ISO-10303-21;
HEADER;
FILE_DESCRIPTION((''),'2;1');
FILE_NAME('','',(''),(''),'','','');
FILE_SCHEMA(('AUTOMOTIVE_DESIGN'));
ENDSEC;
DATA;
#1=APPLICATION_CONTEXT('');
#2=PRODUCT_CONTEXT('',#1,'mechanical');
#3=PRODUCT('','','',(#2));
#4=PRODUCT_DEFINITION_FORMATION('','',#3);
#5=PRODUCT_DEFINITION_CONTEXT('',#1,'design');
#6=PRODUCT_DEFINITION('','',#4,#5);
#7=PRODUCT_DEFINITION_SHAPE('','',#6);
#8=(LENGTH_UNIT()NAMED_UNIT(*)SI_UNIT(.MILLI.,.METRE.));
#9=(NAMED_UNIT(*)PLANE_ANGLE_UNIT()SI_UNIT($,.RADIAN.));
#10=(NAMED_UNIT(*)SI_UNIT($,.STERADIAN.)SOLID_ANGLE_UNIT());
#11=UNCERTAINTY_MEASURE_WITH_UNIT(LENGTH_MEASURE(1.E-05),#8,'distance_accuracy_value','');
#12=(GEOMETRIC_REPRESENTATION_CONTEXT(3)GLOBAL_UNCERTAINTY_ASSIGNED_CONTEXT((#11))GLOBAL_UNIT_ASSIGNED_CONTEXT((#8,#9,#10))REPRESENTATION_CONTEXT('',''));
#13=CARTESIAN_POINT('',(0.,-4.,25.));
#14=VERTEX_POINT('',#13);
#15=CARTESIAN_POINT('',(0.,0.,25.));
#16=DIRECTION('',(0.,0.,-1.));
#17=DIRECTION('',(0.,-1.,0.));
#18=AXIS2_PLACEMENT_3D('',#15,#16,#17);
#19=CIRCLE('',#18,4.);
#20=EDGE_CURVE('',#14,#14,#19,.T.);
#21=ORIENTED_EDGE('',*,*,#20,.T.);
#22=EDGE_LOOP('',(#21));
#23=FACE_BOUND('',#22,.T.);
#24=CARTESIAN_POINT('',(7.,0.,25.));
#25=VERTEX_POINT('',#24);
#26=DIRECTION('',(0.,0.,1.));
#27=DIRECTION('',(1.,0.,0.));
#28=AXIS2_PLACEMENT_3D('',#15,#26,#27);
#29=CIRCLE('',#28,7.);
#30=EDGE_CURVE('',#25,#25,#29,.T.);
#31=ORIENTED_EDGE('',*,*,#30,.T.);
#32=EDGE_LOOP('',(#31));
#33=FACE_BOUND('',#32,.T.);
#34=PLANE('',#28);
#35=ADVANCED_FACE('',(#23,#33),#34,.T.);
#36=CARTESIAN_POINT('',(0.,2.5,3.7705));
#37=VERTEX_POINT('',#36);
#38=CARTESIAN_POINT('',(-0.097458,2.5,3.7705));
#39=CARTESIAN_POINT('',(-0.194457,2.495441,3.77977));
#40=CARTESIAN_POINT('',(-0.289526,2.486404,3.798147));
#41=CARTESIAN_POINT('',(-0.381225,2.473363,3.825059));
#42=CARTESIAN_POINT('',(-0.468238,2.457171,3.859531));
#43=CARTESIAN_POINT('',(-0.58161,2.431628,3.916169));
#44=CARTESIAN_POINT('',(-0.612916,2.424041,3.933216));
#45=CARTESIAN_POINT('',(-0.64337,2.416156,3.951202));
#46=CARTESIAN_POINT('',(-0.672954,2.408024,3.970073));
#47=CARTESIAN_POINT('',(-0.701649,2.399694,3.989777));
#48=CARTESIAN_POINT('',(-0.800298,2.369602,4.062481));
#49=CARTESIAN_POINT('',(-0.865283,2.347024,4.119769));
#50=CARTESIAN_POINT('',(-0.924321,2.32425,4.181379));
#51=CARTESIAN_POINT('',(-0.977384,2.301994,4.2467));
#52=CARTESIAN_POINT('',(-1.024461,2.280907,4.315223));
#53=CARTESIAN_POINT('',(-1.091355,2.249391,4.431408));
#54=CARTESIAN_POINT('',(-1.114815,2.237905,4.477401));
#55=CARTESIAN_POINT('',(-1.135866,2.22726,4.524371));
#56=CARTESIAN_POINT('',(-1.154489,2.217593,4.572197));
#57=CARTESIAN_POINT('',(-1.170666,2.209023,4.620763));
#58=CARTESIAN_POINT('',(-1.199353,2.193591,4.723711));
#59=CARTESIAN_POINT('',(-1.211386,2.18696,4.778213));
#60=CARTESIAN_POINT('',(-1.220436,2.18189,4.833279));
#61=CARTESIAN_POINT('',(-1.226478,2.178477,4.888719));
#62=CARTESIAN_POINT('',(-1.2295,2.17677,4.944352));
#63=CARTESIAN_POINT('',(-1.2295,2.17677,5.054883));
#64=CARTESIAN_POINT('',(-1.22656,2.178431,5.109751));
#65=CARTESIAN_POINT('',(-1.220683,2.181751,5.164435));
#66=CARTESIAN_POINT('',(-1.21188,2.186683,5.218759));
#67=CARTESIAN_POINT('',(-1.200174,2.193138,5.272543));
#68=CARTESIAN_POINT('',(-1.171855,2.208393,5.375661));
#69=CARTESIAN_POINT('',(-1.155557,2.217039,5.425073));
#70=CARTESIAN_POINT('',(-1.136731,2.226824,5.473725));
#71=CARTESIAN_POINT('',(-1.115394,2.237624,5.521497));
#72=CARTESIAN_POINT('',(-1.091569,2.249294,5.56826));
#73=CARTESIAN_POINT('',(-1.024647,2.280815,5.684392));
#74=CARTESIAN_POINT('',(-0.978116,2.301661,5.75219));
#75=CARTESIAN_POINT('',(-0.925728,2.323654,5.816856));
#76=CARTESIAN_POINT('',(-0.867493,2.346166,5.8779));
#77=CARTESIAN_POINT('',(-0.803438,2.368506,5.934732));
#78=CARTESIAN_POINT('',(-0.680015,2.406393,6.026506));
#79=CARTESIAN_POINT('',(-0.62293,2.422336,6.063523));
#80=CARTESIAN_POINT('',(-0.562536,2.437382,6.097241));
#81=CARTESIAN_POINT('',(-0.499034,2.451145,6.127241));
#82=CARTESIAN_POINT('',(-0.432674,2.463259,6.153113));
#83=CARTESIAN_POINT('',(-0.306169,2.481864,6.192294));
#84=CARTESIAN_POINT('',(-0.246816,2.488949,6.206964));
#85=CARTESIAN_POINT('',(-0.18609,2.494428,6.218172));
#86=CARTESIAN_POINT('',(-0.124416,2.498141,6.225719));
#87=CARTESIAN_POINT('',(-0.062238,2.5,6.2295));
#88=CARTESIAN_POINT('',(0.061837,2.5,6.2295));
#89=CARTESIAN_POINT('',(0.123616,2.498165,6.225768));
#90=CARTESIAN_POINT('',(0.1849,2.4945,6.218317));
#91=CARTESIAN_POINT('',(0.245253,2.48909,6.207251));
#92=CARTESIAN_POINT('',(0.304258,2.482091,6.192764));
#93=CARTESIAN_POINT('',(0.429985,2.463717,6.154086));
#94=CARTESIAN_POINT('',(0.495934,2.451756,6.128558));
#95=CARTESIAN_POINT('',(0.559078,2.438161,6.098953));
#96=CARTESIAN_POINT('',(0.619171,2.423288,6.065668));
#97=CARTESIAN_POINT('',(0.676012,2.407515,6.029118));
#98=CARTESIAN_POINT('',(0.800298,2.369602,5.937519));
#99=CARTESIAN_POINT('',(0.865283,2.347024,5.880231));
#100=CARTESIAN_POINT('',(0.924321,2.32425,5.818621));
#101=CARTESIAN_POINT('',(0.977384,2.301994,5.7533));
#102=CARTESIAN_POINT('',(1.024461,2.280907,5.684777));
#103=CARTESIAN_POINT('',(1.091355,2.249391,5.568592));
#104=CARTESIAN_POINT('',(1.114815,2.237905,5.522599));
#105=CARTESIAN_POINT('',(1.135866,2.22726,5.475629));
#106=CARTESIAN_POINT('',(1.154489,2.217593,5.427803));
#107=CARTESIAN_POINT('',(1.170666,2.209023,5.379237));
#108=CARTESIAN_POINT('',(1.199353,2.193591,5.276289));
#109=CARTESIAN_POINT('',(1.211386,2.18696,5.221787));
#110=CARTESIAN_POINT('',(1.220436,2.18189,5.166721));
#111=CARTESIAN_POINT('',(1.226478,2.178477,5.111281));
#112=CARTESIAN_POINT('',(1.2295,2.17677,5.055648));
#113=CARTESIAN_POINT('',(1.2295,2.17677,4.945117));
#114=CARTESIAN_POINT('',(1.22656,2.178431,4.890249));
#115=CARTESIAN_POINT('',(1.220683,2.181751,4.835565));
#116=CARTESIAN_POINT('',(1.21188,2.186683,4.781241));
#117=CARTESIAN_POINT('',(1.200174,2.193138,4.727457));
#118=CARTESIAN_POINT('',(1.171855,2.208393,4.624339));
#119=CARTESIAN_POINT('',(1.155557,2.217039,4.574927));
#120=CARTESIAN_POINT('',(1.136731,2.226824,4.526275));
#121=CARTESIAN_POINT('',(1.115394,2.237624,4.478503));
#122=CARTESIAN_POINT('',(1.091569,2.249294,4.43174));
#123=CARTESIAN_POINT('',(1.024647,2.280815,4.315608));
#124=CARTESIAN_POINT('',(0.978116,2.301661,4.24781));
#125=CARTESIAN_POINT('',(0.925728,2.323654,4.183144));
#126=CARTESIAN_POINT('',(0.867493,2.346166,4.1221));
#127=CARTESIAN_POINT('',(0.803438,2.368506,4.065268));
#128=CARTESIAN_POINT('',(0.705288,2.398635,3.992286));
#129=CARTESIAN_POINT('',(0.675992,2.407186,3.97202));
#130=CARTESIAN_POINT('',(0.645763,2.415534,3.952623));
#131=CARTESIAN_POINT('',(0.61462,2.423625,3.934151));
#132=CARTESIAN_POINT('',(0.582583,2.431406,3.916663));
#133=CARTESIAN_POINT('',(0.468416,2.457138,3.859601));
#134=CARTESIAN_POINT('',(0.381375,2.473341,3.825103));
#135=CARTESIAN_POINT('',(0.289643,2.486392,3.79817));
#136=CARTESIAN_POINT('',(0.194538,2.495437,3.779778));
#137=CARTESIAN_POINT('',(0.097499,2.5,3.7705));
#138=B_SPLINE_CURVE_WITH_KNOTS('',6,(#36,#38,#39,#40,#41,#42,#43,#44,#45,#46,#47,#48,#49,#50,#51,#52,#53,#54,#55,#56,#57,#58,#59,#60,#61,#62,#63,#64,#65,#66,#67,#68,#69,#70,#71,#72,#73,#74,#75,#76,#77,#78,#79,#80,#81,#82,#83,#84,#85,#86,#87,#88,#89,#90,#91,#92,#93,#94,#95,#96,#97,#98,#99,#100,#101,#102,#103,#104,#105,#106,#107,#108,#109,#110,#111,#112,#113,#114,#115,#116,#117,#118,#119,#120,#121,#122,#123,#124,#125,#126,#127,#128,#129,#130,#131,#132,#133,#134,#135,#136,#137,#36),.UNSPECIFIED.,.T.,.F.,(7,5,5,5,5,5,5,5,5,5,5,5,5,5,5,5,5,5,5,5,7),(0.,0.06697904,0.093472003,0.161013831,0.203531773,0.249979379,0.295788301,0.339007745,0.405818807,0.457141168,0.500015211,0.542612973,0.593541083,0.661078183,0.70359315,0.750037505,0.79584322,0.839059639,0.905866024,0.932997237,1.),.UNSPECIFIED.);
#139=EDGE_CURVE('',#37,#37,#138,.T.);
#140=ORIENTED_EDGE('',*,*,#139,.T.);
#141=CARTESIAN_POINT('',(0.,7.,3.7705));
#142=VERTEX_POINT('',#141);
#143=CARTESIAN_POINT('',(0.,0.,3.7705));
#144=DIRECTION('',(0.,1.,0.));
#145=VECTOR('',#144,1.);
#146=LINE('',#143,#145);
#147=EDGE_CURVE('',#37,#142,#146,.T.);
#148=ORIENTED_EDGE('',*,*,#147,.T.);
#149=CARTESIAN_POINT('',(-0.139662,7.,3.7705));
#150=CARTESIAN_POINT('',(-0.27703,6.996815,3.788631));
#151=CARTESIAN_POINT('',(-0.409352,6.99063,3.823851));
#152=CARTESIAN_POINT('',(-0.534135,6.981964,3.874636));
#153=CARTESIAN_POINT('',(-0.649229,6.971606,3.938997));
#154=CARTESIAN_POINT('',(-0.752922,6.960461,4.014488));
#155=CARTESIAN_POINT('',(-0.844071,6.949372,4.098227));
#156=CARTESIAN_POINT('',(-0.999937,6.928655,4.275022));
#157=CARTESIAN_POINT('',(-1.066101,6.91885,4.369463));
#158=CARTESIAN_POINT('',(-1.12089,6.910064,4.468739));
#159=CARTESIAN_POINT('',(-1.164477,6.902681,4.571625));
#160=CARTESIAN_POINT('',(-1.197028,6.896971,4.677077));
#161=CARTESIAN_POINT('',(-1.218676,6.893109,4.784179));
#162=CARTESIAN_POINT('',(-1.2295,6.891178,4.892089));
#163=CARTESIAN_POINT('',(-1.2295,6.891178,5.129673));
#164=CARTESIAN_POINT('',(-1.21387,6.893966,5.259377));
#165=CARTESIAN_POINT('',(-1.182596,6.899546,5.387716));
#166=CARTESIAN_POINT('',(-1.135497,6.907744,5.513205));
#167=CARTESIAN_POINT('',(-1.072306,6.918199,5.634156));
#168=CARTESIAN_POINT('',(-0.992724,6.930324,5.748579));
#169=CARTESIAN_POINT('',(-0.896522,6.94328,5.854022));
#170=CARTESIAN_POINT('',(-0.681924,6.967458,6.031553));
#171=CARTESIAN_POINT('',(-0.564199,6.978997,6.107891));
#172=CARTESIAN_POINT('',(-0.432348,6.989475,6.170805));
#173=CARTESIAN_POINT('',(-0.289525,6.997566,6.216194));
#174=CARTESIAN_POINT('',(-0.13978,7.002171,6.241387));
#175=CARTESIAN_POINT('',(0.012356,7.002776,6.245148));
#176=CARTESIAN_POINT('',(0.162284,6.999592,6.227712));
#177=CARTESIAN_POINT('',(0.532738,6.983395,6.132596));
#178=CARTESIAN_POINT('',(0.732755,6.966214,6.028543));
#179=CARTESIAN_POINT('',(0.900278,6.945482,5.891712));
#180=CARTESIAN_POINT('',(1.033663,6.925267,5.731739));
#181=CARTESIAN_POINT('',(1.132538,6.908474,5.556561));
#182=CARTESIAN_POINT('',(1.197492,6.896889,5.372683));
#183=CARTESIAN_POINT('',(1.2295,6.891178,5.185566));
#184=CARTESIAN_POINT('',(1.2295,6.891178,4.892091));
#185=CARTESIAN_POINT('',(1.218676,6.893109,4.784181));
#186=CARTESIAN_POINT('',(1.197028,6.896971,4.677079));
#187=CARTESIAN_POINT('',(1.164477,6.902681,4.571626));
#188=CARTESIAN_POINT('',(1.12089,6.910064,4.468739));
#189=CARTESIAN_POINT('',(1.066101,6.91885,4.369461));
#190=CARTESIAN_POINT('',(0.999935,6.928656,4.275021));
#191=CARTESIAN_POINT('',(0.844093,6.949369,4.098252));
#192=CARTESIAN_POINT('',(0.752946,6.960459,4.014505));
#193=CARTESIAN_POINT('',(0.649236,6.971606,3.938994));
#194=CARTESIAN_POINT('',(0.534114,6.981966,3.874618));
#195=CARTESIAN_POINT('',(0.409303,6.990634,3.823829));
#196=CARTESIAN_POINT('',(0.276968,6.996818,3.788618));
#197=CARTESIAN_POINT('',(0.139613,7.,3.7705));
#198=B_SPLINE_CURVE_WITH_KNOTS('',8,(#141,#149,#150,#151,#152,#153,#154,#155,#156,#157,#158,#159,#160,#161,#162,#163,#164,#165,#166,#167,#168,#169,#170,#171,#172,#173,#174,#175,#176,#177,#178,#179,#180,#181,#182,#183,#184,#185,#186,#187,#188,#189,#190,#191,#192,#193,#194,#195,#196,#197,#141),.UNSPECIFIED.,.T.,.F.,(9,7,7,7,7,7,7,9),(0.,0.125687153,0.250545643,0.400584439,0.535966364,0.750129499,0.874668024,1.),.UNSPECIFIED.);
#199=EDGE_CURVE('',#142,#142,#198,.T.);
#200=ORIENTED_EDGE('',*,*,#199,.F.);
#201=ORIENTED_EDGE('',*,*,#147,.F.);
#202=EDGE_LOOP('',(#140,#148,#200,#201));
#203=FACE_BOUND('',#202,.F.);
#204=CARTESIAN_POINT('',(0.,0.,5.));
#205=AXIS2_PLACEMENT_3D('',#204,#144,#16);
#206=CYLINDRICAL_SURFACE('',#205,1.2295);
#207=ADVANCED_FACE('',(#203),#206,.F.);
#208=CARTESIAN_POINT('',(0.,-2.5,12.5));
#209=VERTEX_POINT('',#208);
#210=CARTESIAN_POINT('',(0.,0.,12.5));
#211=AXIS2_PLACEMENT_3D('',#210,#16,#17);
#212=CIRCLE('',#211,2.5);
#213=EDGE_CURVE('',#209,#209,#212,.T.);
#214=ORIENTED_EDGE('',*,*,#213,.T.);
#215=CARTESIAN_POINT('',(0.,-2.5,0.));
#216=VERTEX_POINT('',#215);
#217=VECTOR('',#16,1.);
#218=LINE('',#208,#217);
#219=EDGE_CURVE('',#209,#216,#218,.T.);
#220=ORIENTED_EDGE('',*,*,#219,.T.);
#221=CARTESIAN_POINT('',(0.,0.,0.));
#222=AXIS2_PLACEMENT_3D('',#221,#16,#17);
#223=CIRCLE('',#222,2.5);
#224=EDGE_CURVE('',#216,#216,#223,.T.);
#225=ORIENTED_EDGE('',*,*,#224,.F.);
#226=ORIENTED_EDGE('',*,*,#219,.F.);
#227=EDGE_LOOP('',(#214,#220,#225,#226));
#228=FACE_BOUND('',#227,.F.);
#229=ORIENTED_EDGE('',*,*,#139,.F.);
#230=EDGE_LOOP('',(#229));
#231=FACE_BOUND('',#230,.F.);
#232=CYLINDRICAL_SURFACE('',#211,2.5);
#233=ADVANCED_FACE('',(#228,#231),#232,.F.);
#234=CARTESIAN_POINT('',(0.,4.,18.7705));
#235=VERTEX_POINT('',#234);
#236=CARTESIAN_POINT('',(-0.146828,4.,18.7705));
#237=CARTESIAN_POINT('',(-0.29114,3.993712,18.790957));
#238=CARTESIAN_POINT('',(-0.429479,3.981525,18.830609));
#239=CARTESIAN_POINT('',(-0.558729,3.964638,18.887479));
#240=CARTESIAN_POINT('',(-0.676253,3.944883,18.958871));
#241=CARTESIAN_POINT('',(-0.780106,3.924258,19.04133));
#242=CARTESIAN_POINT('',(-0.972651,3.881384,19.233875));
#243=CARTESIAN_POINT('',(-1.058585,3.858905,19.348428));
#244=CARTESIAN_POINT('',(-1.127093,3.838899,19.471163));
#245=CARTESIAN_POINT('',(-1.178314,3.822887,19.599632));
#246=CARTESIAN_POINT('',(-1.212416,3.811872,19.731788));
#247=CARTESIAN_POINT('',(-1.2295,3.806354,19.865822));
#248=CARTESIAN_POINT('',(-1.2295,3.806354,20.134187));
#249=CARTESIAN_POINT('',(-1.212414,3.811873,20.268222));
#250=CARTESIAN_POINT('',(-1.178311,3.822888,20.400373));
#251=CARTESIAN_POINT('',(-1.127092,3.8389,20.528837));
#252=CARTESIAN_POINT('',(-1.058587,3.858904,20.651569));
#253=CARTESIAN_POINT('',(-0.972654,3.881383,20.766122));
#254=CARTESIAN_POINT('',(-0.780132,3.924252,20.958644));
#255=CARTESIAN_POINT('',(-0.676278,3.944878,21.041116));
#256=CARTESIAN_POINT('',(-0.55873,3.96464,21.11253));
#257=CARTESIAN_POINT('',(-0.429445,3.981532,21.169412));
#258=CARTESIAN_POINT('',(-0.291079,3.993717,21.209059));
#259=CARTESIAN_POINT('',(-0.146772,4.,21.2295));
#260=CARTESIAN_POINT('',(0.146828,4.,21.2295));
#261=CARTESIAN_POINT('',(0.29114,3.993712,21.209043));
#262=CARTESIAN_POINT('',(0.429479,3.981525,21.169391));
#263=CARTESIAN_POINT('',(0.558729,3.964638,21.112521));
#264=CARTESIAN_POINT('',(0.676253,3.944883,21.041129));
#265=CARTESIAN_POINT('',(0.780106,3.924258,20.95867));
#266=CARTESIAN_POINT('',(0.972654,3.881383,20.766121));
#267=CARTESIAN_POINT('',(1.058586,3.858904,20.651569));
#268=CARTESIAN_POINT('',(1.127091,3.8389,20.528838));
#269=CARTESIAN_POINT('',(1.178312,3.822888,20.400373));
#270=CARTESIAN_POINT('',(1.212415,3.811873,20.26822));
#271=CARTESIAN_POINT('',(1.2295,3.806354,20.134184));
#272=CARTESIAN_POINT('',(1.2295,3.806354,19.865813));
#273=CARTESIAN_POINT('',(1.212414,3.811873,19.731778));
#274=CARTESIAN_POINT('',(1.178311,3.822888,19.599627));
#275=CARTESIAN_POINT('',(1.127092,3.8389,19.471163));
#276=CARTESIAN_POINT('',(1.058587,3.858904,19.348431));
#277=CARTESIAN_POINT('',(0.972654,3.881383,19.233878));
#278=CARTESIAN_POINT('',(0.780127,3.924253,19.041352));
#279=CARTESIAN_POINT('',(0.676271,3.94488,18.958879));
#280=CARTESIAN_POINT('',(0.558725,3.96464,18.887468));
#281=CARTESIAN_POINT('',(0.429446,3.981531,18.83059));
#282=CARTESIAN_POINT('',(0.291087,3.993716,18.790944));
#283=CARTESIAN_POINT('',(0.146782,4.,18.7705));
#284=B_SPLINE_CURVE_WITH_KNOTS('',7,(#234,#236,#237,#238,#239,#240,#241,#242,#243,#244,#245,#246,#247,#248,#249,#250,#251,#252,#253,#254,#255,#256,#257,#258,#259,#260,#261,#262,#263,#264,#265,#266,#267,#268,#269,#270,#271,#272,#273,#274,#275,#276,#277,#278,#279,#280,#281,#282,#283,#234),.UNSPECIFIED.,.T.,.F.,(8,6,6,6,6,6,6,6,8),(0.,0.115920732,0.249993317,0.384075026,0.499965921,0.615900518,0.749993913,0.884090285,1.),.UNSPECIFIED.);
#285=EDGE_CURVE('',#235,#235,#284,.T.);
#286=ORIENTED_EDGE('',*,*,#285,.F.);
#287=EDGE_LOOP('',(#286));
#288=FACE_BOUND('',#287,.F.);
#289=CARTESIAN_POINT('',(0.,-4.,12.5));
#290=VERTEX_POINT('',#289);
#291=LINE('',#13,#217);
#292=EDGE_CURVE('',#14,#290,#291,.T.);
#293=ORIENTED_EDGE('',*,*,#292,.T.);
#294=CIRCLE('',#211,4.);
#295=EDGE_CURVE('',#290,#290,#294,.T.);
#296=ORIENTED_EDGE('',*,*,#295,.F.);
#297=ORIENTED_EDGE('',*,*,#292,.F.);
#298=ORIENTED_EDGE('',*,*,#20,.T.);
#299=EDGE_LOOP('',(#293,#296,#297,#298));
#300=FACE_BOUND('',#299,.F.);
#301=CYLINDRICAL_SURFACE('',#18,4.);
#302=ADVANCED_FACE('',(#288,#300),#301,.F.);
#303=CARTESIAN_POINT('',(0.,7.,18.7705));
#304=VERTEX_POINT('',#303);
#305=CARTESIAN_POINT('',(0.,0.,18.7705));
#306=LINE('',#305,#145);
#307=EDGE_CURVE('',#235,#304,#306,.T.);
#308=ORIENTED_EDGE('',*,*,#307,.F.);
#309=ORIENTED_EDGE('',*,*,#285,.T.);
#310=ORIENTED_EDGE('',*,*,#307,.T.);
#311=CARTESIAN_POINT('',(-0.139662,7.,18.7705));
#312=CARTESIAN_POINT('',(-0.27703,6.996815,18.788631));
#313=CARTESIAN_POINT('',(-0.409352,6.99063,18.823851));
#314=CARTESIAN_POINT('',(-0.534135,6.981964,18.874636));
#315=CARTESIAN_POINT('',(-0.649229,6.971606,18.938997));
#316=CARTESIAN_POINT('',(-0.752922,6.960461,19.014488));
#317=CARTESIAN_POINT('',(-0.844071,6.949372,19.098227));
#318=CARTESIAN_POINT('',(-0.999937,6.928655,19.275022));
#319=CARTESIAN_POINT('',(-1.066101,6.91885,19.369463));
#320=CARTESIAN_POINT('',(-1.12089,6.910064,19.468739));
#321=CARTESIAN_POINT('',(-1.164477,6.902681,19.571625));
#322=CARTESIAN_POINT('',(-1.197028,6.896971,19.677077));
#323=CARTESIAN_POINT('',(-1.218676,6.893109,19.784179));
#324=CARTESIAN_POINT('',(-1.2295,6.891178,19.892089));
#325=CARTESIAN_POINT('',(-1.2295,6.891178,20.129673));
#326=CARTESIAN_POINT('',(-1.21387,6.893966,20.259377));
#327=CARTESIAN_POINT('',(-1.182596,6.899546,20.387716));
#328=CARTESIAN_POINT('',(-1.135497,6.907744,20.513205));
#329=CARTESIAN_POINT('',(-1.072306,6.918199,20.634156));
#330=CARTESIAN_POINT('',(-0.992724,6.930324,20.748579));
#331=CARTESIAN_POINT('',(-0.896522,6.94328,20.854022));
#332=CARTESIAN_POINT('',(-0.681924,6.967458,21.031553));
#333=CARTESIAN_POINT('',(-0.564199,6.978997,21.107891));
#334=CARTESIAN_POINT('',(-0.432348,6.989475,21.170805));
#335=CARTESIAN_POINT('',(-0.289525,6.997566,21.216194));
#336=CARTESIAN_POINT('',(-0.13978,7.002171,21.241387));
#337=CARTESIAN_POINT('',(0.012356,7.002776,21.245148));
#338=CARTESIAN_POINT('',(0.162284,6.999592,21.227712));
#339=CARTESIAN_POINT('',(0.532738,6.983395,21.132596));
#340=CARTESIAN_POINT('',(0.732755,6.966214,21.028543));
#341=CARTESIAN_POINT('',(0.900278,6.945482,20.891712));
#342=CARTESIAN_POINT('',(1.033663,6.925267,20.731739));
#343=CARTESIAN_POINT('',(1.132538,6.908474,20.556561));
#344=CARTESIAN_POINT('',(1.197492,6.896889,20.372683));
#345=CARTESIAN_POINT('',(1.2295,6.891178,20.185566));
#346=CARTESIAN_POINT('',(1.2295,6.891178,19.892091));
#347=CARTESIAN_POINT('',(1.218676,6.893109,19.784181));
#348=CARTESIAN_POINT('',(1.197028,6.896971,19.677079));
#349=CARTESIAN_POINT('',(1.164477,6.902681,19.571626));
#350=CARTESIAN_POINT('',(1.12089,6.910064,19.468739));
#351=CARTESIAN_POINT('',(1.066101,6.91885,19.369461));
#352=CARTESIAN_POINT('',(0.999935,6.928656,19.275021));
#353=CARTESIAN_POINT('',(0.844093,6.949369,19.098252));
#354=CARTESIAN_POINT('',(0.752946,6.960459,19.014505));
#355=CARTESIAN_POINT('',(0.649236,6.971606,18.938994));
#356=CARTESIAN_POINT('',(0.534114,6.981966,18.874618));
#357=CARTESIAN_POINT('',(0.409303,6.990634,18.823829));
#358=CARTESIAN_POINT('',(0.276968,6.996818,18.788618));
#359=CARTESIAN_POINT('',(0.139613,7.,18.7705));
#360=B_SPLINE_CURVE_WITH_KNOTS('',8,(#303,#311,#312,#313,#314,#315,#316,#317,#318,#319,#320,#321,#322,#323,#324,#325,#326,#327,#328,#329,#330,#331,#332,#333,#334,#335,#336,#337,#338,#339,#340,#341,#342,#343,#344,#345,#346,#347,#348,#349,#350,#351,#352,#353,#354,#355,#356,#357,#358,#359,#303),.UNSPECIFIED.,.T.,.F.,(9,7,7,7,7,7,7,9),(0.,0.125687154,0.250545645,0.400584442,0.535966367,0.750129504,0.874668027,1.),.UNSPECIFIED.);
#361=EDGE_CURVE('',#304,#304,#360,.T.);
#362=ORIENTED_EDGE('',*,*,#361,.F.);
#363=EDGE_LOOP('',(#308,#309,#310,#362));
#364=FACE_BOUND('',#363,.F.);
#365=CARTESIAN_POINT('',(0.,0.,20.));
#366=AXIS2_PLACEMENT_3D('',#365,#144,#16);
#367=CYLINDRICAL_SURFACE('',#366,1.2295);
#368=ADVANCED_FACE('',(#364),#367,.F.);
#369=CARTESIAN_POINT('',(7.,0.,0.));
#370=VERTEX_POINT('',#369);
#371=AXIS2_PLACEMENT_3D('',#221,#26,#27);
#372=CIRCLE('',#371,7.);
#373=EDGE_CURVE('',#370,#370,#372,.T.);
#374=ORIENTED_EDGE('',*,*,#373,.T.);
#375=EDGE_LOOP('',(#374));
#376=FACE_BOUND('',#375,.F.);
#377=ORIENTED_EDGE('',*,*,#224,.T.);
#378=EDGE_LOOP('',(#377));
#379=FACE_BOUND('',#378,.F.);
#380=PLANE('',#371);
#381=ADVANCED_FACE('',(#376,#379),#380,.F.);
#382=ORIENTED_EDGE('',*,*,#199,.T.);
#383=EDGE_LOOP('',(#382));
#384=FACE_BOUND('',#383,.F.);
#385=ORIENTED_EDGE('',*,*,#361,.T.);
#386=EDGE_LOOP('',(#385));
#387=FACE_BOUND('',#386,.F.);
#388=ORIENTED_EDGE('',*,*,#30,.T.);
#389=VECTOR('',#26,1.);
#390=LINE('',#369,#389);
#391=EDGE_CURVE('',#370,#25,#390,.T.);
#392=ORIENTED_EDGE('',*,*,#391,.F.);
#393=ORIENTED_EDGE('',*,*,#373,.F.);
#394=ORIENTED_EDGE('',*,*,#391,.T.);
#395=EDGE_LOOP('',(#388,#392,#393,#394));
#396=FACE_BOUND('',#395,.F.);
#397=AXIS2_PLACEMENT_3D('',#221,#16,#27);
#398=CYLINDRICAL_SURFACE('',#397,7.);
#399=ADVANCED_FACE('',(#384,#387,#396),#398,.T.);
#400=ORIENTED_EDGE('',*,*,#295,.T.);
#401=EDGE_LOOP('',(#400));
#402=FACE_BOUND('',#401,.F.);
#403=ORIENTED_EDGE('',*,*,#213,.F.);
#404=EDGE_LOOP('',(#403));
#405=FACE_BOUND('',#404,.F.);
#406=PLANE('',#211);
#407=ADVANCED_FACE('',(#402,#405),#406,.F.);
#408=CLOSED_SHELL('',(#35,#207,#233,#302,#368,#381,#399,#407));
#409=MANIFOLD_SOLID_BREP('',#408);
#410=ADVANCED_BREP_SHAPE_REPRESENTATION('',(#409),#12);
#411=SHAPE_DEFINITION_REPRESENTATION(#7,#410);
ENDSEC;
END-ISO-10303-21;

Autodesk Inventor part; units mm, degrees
ref_plane "YZ Plane" through (0, 0, 0) normal (1, 0, 0) x (0, 1, 0)
ref_plane "XZ Plane" through (0, 0, 0) normal (0, 1, 0) x (-1, 0, 0)
ref_plane "XY Plane" through (0, 0, 0) normal (0, 0, 1) x (1, 0, 0)
sketch "Sketch1" plane through (0, 0, 0) normal (0, 0, 1) x (1, 0, 0)
  circle A0 centre (0, 0) radius 7
  dimension "d0" = 14
extrude "Extrusion1" add sketch "Sketch1" along normal blind 25
sketch "Sketch3" plane through (0, 0, 25) normal (0, 0, 1) x (1, 0, 0)
  circle A0 centre (0, 0) radius 7 projected
hole "Hole1" at (0, 0, 25) direction (0, 0, -1) diameter 5 end through all counterbore diameter 8 counterbore depth 12.5
sketch "Sketch4" plane through (0, 0, 0) normal (0, 1, 0) x (-1, 0, 0)
  line L0 (7, 25) -> (-7, 25) projected
  line L1 (7, 0) -> (-7, 0) projected
  point P0 (0, 0)
  point P1 (0, 20)
  point P2 (0, 5)
  dimension "d10" = 5
  dimension "d11" = 5
hole "Hole2" at (0, 0, 20) at (0, 0, 5) direction (0, 1, 0) diameter 2.459 depth 8.8 tip angle 118 thread size "M3x0.5" class "6H" standard "ISO Metric profile"
properties part number "10-03-05 Hub"
